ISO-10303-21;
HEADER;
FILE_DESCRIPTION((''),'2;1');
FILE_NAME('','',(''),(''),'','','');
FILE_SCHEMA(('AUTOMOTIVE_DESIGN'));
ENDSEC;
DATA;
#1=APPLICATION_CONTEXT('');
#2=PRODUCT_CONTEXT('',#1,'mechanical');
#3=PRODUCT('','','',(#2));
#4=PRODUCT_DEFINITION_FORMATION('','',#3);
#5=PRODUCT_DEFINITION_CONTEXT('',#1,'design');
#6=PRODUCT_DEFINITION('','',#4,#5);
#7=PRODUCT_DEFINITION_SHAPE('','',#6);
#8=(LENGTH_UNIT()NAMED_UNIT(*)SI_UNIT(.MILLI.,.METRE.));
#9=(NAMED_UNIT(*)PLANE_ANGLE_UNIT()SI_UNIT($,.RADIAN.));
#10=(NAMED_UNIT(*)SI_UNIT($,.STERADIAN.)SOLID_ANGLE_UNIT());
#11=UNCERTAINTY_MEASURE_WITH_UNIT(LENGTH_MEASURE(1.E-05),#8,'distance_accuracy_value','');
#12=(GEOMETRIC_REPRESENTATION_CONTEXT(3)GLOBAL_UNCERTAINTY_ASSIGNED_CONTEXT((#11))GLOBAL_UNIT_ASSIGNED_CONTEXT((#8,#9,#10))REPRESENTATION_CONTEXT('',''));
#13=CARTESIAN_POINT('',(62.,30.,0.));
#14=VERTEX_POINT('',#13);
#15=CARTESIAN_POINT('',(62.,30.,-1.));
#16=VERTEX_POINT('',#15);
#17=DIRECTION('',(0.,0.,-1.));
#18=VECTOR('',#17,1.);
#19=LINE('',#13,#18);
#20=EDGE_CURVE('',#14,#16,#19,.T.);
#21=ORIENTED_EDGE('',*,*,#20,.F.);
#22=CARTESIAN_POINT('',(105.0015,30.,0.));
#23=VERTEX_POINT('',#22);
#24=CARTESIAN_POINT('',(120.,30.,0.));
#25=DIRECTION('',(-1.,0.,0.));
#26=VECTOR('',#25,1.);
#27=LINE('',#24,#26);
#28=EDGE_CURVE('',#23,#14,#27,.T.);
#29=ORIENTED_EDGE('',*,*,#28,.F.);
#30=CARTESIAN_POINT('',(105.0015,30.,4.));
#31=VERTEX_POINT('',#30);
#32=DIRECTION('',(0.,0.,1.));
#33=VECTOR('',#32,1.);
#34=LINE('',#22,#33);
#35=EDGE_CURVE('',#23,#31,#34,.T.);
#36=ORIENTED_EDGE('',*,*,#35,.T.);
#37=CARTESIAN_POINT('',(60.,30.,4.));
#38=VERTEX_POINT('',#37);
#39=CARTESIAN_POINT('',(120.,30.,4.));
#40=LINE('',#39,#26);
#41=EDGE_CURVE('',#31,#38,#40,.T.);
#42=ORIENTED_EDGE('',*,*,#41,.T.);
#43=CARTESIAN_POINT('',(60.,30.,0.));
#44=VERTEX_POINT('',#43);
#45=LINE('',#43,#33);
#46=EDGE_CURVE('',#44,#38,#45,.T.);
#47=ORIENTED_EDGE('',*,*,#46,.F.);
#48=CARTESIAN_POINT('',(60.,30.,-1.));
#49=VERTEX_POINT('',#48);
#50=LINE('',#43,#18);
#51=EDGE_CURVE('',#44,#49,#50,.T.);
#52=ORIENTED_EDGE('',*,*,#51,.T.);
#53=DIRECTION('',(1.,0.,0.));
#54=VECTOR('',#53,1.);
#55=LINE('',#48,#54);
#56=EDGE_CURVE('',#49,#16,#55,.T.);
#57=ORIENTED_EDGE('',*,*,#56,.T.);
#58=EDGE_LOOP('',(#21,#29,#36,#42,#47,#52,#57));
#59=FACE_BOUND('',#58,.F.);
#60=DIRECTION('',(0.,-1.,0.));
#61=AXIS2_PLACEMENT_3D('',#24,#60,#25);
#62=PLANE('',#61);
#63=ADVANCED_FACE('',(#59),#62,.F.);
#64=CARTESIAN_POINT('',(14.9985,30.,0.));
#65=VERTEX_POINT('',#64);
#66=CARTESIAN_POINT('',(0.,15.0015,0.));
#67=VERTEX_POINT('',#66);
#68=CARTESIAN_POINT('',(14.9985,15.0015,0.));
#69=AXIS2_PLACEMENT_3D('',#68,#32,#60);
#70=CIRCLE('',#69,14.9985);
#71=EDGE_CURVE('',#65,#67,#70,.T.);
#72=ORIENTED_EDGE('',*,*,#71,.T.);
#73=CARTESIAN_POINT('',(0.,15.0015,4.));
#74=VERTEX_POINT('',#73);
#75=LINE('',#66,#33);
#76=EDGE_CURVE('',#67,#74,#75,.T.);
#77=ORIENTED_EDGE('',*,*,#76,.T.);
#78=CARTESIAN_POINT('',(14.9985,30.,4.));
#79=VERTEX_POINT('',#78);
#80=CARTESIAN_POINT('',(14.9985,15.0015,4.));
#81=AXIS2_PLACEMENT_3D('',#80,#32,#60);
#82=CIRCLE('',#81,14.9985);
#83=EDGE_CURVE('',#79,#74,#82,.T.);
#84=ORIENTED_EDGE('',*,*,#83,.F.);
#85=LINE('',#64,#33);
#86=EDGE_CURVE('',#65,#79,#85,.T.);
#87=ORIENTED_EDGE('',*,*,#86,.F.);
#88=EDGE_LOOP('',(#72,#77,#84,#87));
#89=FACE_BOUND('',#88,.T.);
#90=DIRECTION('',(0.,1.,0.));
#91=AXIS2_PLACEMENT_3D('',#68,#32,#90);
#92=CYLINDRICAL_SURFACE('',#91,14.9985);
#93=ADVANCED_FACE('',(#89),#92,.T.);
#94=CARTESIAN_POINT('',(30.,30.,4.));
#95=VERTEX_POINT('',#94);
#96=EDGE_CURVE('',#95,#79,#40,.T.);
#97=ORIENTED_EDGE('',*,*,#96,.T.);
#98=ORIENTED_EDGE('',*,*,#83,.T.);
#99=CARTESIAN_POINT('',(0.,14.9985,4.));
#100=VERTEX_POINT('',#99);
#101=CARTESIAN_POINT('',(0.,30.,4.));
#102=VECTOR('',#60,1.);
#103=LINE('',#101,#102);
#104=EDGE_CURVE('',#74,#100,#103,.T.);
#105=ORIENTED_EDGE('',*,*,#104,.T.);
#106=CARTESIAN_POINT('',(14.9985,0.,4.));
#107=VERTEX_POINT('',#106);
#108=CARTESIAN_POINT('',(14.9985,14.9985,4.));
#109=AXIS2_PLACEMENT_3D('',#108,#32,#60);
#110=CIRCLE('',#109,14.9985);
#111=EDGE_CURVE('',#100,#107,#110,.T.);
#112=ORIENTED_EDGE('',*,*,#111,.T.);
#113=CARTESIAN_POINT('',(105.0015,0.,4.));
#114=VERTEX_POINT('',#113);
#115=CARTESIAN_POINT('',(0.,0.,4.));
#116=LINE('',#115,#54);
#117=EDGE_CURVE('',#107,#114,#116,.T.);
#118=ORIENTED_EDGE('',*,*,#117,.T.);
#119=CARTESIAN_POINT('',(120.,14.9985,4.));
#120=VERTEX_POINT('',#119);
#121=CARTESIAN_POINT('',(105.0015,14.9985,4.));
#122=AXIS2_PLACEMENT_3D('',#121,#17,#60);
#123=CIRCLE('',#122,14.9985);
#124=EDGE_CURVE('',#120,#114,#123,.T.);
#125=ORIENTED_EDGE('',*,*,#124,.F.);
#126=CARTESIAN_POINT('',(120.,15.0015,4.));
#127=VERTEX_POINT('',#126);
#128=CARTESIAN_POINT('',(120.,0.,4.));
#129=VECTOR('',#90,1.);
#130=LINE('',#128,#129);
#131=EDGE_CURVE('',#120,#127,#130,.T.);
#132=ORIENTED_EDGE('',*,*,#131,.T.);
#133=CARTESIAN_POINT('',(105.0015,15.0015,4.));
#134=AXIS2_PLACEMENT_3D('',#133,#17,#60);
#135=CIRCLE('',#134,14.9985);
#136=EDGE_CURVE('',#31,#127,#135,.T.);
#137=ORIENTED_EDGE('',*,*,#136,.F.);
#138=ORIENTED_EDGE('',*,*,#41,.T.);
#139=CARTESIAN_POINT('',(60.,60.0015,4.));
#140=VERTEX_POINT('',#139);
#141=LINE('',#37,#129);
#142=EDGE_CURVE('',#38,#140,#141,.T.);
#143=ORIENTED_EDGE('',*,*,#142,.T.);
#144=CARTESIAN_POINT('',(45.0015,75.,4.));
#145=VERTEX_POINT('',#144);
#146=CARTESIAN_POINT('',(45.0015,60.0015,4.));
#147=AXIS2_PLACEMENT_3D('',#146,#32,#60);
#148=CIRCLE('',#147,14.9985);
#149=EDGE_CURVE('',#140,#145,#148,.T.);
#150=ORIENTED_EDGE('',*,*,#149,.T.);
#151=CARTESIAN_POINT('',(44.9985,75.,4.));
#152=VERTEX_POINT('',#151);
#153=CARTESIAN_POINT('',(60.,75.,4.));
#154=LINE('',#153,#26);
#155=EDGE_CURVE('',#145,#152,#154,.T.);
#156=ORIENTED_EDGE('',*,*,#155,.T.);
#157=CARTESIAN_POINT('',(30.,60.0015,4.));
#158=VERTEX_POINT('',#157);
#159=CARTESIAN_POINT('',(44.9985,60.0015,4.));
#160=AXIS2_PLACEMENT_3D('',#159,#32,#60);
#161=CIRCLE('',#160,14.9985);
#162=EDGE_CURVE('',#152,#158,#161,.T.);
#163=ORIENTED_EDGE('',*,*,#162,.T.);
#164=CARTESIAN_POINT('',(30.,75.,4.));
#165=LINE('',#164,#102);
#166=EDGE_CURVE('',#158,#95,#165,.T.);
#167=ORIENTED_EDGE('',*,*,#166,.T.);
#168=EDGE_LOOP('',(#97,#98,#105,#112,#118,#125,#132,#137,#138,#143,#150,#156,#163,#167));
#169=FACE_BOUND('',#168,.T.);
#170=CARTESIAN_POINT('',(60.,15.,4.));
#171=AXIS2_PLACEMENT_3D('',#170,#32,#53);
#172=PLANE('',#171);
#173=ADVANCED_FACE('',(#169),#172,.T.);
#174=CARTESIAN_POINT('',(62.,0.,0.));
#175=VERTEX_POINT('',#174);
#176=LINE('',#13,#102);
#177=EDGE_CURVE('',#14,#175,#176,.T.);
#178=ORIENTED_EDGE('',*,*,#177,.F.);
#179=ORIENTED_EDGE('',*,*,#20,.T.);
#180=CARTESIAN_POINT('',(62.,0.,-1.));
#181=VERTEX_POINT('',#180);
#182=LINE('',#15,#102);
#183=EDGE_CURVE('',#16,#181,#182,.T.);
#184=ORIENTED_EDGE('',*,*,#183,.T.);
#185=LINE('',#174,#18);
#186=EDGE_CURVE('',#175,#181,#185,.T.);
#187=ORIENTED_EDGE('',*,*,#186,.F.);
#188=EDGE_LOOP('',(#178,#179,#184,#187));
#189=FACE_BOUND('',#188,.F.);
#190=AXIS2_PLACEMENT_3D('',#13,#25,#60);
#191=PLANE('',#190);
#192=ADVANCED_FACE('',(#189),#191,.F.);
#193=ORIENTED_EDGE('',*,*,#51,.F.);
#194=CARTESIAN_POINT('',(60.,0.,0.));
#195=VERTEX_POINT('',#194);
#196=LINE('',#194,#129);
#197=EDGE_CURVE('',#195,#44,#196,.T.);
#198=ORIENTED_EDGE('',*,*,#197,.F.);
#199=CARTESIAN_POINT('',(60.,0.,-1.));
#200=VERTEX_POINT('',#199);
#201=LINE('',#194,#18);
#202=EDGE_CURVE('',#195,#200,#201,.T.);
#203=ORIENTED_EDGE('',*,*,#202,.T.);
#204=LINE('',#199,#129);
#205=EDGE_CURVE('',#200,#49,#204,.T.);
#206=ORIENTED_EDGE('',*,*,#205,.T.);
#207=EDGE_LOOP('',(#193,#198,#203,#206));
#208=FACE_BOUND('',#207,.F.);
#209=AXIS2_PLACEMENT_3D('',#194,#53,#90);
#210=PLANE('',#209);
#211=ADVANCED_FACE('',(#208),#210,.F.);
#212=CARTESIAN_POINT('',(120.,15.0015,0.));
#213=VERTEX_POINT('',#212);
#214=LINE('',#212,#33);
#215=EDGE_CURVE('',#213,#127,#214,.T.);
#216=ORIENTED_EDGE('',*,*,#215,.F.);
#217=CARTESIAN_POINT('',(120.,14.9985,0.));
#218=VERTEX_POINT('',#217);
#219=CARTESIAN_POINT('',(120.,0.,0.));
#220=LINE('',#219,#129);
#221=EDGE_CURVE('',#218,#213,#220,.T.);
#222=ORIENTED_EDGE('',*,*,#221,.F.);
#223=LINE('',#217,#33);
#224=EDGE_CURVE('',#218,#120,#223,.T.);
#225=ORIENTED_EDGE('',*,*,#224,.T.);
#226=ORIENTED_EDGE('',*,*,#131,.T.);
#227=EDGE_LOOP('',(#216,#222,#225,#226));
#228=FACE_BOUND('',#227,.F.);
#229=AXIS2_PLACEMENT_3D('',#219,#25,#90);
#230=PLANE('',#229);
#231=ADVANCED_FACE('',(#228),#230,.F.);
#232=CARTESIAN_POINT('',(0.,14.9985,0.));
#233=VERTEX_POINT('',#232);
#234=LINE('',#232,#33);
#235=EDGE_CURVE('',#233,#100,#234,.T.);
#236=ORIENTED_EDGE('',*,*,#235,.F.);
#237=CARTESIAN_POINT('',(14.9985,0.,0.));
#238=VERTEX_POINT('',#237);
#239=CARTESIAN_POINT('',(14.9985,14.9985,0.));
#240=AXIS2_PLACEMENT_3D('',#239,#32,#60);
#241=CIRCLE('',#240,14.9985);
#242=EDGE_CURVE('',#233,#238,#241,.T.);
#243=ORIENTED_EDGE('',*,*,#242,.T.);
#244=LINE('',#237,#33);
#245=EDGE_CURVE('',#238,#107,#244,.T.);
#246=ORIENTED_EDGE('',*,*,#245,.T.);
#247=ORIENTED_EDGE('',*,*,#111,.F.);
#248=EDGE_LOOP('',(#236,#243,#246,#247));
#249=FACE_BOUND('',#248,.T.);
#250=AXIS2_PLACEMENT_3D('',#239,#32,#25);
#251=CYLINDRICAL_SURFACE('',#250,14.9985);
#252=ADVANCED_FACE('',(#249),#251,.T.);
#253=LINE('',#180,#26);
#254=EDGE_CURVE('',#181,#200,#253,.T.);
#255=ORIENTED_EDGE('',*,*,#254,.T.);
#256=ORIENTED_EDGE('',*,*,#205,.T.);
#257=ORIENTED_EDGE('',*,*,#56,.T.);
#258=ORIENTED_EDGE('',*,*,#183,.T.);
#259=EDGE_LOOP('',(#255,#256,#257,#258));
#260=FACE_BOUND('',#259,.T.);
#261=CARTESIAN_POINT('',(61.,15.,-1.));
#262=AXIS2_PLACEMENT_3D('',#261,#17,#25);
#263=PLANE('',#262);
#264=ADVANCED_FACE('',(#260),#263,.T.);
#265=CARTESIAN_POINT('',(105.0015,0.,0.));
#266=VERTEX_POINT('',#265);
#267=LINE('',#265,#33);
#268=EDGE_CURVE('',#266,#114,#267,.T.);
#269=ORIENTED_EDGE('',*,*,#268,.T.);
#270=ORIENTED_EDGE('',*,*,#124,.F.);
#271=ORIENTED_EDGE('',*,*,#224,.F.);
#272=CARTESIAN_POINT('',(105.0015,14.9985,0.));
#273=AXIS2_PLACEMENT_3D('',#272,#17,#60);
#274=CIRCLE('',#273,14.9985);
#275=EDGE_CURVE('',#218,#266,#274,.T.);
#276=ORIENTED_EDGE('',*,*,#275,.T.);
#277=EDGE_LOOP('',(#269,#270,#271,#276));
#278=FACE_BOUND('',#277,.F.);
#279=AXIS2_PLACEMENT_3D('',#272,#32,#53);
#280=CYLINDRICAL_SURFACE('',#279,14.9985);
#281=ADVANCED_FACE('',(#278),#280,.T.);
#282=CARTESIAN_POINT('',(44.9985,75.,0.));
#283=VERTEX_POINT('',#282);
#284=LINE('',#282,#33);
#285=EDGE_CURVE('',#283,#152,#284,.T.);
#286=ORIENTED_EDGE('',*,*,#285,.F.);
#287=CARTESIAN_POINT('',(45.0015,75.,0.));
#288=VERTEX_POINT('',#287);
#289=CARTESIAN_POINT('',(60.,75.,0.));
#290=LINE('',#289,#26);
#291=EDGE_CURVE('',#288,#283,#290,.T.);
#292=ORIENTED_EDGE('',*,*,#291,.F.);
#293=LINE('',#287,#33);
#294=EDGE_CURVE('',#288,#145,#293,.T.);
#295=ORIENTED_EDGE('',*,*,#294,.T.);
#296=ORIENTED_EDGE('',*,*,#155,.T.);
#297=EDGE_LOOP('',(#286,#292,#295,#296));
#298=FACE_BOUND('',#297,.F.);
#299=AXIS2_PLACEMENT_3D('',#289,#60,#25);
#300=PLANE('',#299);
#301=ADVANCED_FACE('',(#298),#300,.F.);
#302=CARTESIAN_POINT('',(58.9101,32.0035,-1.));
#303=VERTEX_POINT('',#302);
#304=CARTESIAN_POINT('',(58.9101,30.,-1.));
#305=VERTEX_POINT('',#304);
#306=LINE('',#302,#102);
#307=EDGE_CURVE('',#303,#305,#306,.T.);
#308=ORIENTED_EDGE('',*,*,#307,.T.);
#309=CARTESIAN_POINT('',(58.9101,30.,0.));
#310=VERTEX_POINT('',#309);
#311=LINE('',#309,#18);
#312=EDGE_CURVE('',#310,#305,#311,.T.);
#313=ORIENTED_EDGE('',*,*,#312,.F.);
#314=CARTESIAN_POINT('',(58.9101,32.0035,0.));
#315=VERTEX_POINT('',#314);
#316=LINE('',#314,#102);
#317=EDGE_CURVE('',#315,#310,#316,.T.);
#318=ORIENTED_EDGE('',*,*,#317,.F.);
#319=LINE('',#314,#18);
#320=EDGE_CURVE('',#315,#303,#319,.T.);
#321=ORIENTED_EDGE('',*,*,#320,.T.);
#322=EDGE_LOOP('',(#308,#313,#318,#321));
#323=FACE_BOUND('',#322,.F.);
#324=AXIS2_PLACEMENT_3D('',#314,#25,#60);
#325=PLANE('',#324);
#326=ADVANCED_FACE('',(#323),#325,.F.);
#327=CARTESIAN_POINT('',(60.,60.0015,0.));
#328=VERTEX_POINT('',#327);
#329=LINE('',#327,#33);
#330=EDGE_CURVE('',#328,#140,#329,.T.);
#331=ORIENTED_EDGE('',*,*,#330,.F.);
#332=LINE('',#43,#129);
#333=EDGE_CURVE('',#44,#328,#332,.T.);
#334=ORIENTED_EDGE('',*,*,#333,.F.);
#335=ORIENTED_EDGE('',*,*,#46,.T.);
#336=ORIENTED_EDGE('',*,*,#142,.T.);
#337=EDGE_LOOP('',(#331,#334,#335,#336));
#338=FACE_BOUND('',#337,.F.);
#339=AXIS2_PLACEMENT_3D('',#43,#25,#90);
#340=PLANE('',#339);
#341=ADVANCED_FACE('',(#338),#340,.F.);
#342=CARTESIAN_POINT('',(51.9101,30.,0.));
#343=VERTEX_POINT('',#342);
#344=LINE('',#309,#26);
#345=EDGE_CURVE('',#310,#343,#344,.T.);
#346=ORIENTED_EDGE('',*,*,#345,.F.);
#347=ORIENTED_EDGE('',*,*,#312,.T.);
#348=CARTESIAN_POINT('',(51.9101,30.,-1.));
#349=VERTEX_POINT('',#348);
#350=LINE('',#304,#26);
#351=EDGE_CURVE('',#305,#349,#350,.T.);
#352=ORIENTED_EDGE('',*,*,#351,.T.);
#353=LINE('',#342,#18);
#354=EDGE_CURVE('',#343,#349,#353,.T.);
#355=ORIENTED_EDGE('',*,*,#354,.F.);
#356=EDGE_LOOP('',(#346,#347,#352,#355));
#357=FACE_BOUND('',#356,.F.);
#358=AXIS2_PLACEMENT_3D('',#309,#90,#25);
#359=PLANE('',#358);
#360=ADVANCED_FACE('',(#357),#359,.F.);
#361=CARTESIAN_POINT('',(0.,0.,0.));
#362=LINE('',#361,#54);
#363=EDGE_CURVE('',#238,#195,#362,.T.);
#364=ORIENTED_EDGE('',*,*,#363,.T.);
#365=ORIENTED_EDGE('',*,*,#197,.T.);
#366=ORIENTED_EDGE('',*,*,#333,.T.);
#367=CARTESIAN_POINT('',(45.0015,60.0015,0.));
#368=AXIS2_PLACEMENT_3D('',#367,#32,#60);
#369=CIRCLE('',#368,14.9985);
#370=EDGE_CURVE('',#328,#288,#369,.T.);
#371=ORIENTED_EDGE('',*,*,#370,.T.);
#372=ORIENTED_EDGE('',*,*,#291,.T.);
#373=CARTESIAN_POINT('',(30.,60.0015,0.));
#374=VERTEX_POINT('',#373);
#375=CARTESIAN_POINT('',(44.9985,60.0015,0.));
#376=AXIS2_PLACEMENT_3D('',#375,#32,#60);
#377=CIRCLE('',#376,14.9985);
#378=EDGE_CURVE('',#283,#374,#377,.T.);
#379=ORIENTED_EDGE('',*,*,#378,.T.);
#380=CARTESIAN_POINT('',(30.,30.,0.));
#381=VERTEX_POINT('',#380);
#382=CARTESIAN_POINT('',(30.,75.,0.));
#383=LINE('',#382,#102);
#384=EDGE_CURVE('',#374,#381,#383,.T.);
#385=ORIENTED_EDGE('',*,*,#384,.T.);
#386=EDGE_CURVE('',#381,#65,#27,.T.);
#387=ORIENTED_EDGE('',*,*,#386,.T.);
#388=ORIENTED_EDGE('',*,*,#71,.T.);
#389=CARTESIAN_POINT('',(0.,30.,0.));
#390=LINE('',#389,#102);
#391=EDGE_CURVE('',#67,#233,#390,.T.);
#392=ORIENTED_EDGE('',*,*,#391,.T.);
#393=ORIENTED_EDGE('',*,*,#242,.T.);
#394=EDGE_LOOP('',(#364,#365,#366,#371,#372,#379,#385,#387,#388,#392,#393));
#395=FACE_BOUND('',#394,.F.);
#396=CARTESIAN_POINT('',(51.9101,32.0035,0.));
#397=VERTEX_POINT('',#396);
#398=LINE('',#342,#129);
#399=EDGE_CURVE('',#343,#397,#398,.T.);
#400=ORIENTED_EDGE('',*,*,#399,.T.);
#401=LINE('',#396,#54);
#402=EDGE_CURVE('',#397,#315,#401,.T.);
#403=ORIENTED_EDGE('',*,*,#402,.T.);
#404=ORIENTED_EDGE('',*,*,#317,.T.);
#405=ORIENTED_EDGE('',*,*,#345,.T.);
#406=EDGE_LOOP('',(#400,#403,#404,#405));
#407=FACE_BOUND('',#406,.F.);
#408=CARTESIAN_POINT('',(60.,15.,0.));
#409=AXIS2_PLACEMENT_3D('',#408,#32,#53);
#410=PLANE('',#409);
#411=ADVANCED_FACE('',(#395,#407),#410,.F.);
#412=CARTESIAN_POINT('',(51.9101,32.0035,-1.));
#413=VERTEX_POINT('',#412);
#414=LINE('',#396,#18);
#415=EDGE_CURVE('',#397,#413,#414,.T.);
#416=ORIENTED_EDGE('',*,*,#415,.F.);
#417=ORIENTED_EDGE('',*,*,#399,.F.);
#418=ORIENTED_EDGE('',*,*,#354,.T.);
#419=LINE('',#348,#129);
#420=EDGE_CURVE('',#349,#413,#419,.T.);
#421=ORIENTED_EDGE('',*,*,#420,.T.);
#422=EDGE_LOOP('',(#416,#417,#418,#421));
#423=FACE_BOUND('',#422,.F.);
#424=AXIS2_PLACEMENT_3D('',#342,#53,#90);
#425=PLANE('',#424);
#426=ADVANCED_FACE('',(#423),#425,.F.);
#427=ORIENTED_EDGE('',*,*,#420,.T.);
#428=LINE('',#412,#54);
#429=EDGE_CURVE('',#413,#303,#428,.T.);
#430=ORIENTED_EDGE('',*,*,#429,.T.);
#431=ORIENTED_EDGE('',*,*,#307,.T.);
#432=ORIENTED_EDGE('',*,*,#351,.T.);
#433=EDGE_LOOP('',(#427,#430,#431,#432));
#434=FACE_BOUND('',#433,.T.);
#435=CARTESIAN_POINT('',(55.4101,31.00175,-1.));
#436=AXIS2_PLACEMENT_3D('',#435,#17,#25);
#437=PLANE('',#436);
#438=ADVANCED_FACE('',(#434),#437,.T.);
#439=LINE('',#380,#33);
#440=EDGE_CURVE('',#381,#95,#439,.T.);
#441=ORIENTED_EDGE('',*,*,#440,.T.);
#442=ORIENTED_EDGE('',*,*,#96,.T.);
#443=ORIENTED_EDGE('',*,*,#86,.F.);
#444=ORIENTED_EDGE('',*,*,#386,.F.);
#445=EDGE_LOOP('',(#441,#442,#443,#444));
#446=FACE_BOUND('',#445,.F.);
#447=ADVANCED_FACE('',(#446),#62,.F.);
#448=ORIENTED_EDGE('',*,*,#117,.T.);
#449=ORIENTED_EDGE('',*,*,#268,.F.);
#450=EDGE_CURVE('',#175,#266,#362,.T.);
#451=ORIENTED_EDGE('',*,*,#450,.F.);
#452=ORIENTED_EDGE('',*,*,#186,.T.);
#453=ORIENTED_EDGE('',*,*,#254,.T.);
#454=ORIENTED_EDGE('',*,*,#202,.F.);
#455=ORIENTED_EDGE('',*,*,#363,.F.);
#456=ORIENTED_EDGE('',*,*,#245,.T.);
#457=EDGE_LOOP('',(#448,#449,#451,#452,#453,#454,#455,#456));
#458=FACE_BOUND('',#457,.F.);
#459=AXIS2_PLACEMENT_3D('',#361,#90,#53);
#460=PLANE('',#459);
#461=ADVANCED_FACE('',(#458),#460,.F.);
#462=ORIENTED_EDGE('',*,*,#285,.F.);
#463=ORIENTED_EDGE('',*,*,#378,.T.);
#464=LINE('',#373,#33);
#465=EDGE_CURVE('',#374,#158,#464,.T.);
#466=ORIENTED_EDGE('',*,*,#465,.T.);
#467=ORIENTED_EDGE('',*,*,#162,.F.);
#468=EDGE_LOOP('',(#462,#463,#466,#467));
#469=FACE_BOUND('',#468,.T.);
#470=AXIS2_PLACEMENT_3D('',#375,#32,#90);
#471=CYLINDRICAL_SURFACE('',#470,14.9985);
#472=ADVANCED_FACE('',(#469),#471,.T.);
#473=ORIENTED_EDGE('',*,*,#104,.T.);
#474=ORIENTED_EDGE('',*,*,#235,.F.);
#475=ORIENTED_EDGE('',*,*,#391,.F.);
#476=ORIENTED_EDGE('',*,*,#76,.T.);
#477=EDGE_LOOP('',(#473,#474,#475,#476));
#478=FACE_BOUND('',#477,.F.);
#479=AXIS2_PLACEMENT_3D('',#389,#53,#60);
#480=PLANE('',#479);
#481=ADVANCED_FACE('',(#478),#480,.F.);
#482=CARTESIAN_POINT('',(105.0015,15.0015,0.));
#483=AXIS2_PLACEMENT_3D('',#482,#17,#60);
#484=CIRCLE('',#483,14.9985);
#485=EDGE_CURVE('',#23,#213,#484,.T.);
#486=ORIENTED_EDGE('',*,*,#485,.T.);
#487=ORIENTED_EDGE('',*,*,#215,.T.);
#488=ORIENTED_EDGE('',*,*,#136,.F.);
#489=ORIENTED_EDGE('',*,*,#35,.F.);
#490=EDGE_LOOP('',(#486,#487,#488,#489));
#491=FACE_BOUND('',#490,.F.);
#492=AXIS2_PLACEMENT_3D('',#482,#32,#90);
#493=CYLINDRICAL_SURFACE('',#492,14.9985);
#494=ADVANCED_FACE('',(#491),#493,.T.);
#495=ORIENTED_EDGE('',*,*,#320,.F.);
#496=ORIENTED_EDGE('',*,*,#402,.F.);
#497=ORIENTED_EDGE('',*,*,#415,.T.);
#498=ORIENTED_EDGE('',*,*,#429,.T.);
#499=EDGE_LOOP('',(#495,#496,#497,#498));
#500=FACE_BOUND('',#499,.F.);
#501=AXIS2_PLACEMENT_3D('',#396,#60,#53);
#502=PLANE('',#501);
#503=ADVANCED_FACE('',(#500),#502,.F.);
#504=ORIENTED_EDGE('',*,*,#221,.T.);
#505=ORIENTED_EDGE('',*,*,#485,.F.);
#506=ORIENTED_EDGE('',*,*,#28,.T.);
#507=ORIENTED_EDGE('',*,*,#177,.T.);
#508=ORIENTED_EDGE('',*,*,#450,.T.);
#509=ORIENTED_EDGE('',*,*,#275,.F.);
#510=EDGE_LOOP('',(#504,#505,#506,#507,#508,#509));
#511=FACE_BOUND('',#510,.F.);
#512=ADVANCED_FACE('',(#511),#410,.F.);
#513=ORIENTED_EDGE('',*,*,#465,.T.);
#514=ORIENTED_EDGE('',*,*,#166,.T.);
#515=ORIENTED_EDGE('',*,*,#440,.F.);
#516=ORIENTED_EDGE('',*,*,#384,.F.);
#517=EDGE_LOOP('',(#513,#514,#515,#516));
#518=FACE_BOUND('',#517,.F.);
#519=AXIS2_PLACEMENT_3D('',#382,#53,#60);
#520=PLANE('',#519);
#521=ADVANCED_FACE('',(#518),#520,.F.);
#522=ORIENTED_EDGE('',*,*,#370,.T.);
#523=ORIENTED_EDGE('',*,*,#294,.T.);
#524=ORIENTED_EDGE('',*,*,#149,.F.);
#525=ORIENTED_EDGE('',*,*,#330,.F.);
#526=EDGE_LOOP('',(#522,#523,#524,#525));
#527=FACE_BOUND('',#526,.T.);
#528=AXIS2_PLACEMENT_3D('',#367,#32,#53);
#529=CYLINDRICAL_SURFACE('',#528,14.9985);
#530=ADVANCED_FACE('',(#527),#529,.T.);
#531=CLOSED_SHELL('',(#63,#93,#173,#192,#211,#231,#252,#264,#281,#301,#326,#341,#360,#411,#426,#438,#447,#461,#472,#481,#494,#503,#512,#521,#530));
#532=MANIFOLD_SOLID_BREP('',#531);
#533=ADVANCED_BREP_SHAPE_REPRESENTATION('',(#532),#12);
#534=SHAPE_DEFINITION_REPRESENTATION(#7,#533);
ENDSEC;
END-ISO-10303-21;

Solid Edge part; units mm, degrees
sketch "Sketch1" plane through (0, 0, 0) normal (0, 0, 1) x (1, 0, 0)
  line L0 (30, 75) -> (30, 30)
  line L1 (30, 30) -> (60, 30)
  line L2 (60, 30) -> (60, 75)
  line L3 (60, 75) -> (30, 75)
  line L4 (120, 30) -> (0, 30)
  line L5 (0, 30) -> (0, 0)
  line L6 (0, 0) -> (120, 0)
  line L7 (120, 0) -> (120, 30)
  dimension "D1" = 30
  dimension "D2" = 30
  dimension "D3" = 30
  dimension "D4" = 120
extrude "Protrusion1" add sketch "Sketch1" along normal blind 4
fillet "RoundMain" radius 15 6 edges at (0, 30, 2) (30, 75, 2) (60, 75, 2) (120, 30, 2) (120, 0, 2) (0, 0, 2)
sketch "Sketch2" plane through (60, 37.5, 0) normal (0, 0, -1) x (-1, 0, 0)
  line L0 (0, -7.5) -> (-2, -7.5)
  line L1 (-2, -7.5) -> (-2, -37.5)
  line L2 (-2, -37.5) -> (0, -37.5)
  line L3 (0, -37.5) -> (0, -7.5)
extrude "ExtrudedProtrusion_3" add sketch "Sketch2" along normal blind 1
sketch "Sketch3" plane through (30, 37.5, 0) normal (0, 0, -1) x (-1, 0, 0)
  line L0 (-28.9101, -7.5) -> (-21.9101, -7.5)
  line L1 (-21.9101, -7.5) -> (-21.9101, -5.4965)
  line L2 (-21.9101, -5.4965) -> (-28.9101, -5.4965)
  line L3 (-28.9101, -5.4965) -> (-28.9101, -7.5)
extrude "ExtrudedProtrusion_6" add sketch "Sketch3" along normal blind 1
